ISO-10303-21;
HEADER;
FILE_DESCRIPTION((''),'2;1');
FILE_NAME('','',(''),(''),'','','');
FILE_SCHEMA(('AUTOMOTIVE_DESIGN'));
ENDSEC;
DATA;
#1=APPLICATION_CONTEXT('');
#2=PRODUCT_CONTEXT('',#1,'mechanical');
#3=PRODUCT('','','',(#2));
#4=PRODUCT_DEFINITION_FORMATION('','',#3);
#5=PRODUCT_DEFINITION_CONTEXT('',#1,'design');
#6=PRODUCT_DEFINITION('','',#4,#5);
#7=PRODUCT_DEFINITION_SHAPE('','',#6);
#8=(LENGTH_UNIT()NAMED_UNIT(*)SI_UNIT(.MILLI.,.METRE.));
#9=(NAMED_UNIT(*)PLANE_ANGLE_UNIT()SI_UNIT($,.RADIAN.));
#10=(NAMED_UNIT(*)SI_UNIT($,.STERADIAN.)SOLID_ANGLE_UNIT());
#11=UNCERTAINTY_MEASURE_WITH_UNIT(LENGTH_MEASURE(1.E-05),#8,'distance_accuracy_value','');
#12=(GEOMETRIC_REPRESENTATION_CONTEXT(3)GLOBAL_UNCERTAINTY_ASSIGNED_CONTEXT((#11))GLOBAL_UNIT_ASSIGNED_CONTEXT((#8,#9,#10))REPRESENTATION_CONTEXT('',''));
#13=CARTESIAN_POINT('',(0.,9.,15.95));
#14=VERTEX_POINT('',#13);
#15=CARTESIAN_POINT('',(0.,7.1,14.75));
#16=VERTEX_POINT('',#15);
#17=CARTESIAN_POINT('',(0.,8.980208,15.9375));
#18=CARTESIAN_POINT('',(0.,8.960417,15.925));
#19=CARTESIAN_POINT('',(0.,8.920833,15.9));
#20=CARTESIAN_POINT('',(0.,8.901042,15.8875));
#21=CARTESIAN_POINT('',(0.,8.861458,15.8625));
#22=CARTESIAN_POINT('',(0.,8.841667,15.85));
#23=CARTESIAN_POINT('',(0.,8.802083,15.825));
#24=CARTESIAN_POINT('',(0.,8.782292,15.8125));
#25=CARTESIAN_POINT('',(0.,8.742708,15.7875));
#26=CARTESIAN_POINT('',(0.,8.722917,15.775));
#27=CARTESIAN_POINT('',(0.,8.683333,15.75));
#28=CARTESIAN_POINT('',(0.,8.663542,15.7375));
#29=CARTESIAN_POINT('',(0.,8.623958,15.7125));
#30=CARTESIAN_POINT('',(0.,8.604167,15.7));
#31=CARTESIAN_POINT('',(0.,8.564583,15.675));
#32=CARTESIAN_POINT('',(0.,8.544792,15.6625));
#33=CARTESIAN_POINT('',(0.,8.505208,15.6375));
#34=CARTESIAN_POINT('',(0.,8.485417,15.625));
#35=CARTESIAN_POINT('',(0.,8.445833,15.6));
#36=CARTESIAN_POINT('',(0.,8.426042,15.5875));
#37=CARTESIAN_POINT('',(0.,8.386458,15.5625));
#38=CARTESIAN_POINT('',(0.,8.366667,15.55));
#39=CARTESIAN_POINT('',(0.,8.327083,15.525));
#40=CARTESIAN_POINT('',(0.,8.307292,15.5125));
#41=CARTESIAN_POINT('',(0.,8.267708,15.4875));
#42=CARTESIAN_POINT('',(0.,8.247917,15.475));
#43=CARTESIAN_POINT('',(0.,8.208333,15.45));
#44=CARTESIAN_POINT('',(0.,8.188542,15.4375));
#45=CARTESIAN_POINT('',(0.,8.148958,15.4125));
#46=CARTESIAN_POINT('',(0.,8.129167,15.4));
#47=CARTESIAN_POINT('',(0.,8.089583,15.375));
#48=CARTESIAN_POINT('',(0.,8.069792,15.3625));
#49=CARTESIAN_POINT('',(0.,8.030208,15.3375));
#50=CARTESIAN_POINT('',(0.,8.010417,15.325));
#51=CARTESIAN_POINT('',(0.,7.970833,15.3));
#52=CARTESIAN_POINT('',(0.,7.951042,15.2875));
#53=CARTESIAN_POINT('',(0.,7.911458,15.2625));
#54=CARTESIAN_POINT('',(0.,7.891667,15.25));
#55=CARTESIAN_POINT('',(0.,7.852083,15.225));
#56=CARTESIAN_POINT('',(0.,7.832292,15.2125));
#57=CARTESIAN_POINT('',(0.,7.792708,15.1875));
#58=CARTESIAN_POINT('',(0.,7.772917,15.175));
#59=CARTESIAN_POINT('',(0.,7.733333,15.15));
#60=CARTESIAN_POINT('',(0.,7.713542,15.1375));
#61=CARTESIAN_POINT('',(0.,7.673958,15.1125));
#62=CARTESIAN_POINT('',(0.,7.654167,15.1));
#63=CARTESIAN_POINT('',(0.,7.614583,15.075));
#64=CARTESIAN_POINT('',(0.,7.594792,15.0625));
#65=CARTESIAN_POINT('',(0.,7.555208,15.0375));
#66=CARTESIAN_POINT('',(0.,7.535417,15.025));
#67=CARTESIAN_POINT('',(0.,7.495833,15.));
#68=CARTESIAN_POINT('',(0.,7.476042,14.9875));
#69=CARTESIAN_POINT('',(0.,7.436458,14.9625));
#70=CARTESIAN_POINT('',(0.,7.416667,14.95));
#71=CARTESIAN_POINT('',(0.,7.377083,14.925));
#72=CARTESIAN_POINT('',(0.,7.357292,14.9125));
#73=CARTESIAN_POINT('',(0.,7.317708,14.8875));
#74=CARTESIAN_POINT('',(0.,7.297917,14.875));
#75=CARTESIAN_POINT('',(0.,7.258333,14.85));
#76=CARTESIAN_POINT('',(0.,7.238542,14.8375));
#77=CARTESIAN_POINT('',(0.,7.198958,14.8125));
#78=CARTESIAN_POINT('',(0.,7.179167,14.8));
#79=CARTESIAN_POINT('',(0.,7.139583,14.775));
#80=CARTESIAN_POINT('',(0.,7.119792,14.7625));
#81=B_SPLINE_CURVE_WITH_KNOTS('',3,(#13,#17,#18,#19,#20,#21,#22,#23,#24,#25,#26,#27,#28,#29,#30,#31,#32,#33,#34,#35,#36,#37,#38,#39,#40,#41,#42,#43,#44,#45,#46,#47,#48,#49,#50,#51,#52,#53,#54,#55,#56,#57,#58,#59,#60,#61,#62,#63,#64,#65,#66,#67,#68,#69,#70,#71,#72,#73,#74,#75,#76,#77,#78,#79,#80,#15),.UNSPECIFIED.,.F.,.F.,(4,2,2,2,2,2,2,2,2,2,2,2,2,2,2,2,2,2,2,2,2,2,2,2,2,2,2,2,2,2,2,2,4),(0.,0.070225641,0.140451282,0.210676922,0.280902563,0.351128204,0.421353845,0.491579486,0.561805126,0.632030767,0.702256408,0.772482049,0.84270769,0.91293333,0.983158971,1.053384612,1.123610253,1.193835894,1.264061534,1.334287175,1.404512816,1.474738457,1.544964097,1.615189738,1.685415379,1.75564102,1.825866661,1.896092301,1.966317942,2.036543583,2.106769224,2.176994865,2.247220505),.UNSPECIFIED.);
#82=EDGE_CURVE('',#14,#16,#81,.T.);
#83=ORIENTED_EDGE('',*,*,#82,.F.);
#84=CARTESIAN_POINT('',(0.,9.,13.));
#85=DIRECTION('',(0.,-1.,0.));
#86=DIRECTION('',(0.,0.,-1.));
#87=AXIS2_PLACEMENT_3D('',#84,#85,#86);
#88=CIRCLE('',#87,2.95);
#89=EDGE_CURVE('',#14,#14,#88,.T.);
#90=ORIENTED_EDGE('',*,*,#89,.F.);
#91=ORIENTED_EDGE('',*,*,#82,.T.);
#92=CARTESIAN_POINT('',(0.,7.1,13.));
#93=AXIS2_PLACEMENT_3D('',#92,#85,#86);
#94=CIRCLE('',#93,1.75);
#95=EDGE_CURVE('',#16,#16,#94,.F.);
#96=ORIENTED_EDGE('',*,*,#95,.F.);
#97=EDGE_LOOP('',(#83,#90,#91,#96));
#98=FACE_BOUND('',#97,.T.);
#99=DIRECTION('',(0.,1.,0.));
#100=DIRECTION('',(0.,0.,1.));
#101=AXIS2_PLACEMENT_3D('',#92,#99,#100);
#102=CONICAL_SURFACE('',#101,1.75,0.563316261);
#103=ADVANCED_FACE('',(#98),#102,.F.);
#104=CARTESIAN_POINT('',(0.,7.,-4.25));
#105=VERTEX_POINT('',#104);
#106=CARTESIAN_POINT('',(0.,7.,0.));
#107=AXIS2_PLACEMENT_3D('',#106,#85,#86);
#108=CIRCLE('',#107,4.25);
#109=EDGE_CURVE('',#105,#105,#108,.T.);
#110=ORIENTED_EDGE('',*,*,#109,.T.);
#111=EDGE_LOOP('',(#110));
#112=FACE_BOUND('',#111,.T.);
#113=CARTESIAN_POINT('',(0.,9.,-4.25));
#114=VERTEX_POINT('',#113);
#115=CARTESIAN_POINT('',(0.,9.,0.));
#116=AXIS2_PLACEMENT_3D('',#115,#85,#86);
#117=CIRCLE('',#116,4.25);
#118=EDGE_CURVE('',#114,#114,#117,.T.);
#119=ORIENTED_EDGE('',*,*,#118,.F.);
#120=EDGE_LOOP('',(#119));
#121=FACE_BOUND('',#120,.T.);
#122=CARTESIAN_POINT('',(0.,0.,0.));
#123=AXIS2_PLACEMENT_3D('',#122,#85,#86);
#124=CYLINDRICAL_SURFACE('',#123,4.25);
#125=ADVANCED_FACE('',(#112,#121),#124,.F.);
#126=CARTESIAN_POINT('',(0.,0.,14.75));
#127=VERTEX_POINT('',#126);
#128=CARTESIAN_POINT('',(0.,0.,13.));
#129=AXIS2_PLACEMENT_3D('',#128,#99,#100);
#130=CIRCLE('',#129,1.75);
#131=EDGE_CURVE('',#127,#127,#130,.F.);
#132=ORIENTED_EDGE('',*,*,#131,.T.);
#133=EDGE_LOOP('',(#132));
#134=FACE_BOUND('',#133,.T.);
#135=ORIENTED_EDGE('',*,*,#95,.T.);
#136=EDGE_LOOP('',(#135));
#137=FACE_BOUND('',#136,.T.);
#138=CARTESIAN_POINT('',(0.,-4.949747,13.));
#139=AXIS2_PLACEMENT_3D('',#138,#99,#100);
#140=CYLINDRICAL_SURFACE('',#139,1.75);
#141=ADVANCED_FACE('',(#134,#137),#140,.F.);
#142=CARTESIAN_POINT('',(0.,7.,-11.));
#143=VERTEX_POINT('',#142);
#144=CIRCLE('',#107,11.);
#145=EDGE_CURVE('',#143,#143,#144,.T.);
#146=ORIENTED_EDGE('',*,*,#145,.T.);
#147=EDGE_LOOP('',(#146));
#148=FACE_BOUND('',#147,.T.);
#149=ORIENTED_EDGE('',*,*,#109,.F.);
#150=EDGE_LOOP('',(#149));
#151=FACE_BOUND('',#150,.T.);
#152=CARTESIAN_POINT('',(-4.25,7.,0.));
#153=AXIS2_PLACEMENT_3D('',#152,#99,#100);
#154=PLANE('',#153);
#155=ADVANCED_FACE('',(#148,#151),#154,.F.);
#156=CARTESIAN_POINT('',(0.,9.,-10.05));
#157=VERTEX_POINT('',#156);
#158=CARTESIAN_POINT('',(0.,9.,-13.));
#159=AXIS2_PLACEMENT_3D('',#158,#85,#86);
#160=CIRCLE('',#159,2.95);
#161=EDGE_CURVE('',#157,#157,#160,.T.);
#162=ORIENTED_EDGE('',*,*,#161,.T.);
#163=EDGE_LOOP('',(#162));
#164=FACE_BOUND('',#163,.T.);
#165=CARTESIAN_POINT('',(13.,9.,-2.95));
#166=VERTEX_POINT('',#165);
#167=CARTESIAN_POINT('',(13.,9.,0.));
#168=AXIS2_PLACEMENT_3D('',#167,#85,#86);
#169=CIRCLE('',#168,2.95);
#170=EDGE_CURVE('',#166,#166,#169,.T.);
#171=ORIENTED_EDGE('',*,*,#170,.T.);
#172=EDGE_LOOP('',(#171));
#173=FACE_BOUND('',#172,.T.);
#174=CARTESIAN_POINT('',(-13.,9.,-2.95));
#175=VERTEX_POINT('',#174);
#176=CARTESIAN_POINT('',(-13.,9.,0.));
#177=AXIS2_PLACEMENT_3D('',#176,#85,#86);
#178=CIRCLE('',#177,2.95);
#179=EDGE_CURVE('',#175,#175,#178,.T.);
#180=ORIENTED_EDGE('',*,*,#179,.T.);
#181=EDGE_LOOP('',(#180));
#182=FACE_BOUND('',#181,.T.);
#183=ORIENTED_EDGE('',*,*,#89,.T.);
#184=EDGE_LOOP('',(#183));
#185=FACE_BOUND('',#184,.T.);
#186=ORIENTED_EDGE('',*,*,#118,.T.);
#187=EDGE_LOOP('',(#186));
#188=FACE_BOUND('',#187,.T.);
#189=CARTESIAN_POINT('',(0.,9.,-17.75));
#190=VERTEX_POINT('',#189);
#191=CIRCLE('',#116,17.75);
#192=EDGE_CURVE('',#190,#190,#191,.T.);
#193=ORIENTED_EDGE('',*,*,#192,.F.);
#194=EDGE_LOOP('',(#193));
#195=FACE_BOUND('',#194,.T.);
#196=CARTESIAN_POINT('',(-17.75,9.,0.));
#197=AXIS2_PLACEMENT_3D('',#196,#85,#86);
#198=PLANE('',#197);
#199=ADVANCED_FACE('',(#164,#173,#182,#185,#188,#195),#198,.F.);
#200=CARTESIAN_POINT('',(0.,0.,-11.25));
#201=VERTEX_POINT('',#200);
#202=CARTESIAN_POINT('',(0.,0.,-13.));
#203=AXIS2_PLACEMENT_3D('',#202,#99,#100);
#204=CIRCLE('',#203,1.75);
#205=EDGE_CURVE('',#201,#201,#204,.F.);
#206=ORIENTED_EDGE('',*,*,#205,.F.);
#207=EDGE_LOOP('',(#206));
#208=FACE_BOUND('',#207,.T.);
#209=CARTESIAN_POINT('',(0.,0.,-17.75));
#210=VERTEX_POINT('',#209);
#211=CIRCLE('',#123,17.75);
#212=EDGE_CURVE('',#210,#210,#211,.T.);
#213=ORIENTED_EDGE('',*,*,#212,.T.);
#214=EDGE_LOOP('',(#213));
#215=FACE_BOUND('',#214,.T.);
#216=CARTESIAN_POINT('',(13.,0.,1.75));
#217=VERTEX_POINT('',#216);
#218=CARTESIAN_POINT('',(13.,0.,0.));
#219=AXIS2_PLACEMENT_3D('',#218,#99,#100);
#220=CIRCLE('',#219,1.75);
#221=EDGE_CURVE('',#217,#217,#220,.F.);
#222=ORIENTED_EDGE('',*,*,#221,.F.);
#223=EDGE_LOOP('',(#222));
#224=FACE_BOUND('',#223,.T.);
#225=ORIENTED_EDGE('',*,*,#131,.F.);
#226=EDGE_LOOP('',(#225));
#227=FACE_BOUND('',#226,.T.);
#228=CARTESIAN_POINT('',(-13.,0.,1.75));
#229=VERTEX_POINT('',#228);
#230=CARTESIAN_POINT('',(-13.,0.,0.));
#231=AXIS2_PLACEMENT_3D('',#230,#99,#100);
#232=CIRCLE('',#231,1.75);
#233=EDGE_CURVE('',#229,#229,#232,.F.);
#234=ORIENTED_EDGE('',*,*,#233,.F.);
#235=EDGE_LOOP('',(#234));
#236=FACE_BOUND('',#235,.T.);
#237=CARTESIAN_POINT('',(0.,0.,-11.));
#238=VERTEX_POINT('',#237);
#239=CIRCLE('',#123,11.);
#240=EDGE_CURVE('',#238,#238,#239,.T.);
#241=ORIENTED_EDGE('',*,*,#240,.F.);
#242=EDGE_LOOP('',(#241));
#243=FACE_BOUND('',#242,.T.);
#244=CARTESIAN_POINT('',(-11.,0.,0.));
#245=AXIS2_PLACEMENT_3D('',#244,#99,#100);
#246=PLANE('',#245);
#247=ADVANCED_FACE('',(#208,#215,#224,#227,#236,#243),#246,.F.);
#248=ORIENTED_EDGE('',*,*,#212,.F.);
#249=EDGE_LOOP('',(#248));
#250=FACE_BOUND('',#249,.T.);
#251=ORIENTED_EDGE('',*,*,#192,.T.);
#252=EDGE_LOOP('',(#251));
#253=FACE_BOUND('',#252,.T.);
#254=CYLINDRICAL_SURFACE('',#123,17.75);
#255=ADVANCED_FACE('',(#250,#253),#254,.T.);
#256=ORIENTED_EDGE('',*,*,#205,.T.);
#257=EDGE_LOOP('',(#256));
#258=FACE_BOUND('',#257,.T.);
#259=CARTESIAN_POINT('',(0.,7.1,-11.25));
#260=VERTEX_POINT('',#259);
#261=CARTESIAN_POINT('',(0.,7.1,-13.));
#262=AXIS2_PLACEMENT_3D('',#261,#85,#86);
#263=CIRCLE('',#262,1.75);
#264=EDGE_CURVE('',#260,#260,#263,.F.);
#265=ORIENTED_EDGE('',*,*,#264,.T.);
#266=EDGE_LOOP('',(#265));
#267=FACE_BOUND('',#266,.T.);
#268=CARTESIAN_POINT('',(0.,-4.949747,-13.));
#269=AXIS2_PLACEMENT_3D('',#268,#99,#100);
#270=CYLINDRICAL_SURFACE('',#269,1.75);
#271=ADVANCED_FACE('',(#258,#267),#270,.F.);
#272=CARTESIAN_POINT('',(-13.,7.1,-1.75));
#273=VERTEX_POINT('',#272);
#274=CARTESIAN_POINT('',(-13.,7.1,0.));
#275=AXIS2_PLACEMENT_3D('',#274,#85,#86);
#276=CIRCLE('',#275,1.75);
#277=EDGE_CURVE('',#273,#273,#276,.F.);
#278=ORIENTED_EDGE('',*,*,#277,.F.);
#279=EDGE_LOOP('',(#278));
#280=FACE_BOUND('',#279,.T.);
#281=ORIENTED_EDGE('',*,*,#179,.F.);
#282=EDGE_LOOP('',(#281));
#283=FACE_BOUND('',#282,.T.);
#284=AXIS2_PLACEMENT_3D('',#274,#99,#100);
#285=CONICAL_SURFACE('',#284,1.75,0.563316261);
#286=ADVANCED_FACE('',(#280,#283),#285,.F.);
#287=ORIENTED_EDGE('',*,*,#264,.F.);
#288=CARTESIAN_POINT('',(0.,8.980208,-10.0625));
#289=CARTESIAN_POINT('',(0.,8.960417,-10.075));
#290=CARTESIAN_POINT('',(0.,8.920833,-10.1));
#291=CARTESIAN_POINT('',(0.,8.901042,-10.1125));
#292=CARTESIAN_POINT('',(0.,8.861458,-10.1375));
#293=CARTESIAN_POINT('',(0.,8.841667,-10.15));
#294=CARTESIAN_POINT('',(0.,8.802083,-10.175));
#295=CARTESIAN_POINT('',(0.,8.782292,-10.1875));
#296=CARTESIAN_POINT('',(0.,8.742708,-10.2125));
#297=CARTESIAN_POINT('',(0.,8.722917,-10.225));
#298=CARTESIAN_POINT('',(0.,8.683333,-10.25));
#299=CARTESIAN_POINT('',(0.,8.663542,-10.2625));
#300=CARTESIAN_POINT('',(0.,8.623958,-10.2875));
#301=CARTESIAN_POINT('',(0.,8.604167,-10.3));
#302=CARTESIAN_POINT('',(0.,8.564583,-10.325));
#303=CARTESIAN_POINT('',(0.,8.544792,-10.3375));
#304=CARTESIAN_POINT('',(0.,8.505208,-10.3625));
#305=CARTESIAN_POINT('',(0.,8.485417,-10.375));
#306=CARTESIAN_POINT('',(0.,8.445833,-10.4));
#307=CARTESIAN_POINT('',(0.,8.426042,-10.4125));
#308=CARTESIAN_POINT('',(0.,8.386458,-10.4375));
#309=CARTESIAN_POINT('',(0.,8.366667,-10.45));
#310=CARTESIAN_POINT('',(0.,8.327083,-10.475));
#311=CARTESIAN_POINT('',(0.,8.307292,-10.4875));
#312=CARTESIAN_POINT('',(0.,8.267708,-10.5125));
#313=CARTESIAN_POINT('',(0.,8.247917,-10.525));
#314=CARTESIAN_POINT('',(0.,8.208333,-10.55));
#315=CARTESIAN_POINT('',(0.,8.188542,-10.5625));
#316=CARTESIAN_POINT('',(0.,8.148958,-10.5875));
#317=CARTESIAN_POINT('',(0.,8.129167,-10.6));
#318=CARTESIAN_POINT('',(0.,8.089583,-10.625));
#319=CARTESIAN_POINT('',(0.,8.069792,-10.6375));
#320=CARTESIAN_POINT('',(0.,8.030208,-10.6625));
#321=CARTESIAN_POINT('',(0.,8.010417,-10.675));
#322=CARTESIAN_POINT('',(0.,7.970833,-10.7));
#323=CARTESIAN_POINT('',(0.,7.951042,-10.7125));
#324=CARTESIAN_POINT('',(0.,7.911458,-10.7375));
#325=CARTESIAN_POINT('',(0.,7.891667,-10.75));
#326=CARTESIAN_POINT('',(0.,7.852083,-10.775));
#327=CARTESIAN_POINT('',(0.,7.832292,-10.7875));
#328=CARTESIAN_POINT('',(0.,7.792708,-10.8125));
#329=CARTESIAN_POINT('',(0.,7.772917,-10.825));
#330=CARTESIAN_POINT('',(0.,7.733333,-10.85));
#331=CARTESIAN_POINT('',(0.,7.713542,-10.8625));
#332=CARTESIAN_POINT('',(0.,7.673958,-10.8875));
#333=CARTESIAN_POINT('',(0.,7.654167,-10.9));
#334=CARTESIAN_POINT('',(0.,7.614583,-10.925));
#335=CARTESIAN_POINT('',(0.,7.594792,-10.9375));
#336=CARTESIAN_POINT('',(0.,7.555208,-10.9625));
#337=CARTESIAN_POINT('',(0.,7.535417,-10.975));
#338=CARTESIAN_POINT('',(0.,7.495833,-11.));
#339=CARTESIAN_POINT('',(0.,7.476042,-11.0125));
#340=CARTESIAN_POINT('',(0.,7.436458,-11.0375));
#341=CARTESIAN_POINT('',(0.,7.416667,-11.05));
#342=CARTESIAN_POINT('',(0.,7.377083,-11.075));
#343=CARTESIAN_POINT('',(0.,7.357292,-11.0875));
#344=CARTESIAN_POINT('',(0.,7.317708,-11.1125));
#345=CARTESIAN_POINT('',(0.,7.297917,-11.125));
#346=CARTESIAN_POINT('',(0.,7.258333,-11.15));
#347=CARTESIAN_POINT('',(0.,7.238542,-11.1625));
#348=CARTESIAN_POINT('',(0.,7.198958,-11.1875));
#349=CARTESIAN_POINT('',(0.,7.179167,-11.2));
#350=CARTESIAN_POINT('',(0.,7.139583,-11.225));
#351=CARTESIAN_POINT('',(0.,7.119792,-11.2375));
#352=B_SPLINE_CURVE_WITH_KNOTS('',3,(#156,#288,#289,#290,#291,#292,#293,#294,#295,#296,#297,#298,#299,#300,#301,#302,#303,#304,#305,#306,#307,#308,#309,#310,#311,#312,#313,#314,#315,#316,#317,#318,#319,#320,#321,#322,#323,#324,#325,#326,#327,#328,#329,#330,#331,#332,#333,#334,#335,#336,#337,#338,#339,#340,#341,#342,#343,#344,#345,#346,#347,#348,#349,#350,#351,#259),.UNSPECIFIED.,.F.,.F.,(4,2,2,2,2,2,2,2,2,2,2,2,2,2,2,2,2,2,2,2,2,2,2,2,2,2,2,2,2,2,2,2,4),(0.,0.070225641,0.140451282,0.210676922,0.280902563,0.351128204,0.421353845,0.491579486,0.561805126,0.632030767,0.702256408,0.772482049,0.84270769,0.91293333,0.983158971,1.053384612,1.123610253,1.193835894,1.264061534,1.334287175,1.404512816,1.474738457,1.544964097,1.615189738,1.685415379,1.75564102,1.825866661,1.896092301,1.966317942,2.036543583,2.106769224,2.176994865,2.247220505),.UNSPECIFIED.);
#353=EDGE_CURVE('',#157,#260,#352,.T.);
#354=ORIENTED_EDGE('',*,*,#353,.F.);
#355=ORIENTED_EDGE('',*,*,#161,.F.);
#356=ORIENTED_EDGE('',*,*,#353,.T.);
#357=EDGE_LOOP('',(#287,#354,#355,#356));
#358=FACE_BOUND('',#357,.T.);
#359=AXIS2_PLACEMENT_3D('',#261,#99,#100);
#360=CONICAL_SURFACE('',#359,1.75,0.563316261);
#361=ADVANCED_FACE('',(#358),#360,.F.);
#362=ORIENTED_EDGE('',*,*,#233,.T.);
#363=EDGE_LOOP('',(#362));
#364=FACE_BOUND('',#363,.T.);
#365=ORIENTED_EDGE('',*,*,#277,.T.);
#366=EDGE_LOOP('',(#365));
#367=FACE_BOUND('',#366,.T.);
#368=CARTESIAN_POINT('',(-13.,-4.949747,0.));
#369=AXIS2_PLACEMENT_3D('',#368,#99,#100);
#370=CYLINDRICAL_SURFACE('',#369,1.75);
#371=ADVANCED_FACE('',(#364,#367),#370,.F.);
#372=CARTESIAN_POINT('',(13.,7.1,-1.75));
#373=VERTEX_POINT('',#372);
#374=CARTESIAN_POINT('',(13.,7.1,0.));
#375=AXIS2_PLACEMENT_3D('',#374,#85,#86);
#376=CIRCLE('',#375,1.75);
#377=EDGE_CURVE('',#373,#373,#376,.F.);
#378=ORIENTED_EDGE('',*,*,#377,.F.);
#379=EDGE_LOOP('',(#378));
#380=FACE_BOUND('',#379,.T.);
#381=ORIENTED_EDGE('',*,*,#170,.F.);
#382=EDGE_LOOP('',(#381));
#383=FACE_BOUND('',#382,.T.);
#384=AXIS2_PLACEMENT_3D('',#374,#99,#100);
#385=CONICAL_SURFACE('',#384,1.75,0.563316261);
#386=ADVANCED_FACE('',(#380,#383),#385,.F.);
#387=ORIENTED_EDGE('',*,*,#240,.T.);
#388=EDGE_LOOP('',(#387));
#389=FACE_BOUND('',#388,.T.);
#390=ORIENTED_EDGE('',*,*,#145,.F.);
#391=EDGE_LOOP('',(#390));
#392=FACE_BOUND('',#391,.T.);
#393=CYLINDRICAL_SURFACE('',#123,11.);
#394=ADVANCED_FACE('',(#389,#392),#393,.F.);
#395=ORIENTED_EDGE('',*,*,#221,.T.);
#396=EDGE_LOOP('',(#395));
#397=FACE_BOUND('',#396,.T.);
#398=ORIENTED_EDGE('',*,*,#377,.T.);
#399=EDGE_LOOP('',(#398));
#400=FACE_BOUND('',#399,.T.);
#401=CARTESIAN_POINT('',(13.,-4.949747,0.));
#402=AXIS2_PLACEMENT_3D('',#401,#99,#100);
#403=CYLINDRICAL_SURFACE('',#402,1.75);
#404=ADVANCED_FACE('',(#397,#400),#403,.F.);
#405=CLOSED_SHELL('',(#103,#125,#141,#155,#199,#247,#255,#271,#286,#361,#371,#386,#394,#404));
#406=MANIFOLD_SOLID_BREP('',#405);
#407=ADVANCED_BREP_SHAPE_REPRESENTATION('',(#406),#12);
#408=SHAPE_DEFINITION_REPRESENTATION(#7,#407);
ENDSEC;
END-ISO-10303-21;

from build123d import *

# Parameters (mm, degrees)
SKETCH4_R          = 1.75
CUT_EXTRUDE1_DEPTH = 9
CHAMFER1_SIZE      = 1.2
CHAMFER1_SIZE2     = 1.9


with BuildPart() as part:
    # Sketch3 → Revolve1 (revolve)
    with BuildSketch(Plane.XY, mode=Mode.PRIVATE) as revolve1_sk:
        Polygon((-11, 0), (-17.75, 0), (-17.75, 9), (-4.25, 9), (-4.25, 7), (-11, 7), align=None)
    revolve(revolve1_sk.sketch.rotate(Axis((0, 0, 0), (0, 1, 0)), 270), axis=Axis((0, 0, 0), (0, 1, 0)))

    # Sketch4 → Cut-Extrude1 (cut)
    with BuildSketch(Plane(origin=(0, 9, 0), x_dir=(1, 0, 0), z_dir=(0, 1, 0))):
        with Locations(Location((0, 13, 0), (0, 0, 270))):
            Circle(SKETCH4_R)
        with Locations(Location((13, 0, 0), (0, 0, 270))):
            Circle(SKETCH4_R)
        with Locations(Location((0, -13, 0), (0, 0, 270))):
            Circle(SKETCH4_R)
        with Locations(Location((-13, 0, 0), (0, 0, 270))):
            Circle(SKETCH4_R)
    extrude(amount=-CUT_EXTRUDE1_DEPTH, mode=Mode.SUBTRACT)

    # Chamfer1
    chamfer1_edges = [part.edges().sort_by_distance(p)[0] for p in [
        (0, 9, -14.75),
        (13, 9, -1.75),
        (0, 9, 11.25),
        (-13, 9, -1.75),
    ]]
    chamfer1_side = [part.faces().sort_by_distance(p)[0] for p in [
        (0, 9, 17.247954185),
    ]]
    chamfer(chamfer1_edges, length=CHAMFER1_SIZE, length2=CHAMFER1_SIZE2, reference=chamfer1_side[0])


solid = part.part
